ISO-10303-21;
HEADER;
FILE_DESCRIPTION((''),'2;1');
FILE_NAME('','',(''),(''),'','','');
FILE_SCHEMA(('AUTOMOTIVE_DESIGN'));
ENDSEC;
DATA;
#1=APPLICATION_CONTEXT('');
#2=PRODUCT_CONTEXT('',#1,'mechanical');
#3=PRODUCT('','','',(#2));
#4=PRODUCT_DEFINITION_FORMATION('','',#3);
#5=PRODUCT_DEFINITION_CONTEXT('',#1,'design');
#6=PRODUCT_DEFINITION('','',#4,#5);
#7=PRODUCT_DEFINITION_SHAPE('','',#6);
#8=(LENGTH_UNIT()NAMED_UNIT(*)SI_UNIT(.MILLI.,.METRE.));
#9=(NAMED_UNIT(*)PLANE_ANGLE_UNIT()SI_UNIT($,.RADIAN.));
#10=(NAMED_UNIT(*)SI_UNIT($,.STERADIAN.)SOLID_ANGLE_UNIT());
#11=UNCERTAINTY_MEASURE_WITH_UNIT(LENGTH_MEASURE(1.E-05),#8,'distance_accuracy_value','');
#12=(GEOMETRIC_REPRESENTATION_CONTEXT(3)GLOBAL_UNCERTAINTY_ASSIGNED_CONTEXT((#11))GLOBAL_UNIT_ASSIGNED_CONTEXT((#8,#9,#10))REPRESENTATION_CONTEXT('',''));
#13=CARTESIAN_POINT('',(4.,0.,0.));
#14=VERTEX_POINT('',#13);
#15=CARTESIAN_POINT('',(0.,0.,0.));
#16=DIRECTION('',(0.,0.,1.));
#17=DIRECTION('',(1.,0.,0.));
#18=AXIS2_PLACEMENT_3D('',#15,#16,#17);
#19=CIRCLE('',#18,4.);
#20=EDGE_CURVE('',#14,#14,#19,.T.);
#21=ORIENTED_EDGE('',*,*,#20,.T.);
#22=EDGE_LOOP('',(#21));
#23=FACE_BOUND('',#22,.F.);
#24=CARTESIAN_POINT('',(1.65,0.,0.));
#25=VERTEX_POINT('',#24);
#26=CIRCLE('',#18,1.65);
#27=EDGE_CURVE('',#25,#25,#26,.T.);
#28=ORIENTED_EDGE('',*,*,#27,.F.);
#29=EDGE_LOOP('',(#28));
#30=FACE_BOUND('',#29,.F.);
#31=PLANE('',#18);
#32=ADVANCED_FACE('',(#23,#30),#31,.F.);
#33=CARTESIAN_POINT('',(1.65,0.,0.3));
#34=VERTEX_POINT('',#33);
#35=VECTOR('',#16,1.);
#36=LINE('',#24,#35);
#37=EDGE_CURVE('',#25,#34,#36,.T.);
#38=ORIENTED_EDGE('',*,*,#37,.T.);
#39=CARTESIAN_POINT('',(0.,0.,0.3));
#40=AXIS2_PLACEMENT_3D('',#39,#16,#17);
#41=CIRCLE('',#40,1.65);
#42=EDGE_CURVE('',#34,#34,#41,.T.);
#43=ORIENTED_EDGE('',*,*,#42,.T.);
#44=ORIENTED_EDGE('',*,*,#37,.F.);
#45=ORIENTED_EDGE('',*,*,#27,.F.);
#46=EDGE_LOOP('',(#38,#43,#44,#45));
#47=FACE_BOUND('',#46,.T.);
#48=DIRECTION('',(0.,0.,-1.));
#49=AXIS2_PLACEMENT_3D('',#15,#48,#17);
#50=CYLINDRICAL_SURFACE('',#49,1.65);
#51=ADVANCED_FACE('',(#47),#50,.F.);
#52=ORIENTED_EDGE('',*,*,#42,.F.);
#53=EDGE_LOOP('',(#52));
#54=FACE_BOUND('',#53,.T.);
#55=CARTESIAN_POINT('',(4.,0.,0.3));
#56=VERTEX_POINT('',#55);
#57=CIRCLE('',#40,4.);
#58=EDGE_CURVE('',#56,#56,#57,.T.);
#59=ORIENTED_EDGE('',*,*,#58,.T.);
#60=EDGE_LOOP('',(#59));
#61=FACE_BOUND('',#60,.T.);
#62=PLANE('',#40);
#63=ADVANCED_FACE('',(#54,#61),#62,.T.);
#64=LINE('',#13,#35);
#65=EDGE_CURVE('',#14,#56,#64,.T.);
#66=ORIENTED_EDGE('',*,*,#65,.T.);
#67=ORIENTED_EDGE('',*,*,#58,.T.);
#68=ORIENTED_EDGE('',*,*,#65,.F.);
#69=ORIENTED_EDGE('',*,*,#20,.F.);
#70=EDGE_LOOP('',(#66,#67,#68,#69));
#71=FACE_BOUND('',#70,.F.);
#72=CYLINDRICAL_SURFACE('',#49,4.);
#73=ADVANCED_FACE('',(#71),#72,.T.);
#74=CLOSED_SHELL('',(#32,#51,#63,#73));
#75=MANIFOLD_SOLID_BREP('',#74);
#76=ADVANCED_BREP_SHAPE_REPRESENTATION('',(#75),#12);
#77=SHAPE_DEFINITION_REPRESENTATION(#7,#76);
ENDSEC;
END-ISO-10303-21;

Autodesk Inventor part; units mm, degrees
ref_plane "YZ Plane" through (0, 0, 0) normal (1, 0, 0) x (0, 1, 0)
ref_plane "XZ Plane" through (0, 0, 0) normal (0, 1, 0) x (-1, 0, 0)
ref_plane "XY Plane" through (0, 0, 0) normal (0, 0, 1) x (1, 0, 0)
sketch "スケッチ1" plane through (0, 0, 0) normal (0, 0, 1) x (1, 0, 0)
  circle A0 centre (0, 0) radius 4
  circle A1 centre (0, 0) radius 1.65
  dimension "d0" = 8
  dimension "d1" = 3.3
extrude "押し出し1" add sketch "スケッチ1" along normal blind 0.3
properties part number "UW-0308-03" material "ステンレス鋼 AISI 302"
